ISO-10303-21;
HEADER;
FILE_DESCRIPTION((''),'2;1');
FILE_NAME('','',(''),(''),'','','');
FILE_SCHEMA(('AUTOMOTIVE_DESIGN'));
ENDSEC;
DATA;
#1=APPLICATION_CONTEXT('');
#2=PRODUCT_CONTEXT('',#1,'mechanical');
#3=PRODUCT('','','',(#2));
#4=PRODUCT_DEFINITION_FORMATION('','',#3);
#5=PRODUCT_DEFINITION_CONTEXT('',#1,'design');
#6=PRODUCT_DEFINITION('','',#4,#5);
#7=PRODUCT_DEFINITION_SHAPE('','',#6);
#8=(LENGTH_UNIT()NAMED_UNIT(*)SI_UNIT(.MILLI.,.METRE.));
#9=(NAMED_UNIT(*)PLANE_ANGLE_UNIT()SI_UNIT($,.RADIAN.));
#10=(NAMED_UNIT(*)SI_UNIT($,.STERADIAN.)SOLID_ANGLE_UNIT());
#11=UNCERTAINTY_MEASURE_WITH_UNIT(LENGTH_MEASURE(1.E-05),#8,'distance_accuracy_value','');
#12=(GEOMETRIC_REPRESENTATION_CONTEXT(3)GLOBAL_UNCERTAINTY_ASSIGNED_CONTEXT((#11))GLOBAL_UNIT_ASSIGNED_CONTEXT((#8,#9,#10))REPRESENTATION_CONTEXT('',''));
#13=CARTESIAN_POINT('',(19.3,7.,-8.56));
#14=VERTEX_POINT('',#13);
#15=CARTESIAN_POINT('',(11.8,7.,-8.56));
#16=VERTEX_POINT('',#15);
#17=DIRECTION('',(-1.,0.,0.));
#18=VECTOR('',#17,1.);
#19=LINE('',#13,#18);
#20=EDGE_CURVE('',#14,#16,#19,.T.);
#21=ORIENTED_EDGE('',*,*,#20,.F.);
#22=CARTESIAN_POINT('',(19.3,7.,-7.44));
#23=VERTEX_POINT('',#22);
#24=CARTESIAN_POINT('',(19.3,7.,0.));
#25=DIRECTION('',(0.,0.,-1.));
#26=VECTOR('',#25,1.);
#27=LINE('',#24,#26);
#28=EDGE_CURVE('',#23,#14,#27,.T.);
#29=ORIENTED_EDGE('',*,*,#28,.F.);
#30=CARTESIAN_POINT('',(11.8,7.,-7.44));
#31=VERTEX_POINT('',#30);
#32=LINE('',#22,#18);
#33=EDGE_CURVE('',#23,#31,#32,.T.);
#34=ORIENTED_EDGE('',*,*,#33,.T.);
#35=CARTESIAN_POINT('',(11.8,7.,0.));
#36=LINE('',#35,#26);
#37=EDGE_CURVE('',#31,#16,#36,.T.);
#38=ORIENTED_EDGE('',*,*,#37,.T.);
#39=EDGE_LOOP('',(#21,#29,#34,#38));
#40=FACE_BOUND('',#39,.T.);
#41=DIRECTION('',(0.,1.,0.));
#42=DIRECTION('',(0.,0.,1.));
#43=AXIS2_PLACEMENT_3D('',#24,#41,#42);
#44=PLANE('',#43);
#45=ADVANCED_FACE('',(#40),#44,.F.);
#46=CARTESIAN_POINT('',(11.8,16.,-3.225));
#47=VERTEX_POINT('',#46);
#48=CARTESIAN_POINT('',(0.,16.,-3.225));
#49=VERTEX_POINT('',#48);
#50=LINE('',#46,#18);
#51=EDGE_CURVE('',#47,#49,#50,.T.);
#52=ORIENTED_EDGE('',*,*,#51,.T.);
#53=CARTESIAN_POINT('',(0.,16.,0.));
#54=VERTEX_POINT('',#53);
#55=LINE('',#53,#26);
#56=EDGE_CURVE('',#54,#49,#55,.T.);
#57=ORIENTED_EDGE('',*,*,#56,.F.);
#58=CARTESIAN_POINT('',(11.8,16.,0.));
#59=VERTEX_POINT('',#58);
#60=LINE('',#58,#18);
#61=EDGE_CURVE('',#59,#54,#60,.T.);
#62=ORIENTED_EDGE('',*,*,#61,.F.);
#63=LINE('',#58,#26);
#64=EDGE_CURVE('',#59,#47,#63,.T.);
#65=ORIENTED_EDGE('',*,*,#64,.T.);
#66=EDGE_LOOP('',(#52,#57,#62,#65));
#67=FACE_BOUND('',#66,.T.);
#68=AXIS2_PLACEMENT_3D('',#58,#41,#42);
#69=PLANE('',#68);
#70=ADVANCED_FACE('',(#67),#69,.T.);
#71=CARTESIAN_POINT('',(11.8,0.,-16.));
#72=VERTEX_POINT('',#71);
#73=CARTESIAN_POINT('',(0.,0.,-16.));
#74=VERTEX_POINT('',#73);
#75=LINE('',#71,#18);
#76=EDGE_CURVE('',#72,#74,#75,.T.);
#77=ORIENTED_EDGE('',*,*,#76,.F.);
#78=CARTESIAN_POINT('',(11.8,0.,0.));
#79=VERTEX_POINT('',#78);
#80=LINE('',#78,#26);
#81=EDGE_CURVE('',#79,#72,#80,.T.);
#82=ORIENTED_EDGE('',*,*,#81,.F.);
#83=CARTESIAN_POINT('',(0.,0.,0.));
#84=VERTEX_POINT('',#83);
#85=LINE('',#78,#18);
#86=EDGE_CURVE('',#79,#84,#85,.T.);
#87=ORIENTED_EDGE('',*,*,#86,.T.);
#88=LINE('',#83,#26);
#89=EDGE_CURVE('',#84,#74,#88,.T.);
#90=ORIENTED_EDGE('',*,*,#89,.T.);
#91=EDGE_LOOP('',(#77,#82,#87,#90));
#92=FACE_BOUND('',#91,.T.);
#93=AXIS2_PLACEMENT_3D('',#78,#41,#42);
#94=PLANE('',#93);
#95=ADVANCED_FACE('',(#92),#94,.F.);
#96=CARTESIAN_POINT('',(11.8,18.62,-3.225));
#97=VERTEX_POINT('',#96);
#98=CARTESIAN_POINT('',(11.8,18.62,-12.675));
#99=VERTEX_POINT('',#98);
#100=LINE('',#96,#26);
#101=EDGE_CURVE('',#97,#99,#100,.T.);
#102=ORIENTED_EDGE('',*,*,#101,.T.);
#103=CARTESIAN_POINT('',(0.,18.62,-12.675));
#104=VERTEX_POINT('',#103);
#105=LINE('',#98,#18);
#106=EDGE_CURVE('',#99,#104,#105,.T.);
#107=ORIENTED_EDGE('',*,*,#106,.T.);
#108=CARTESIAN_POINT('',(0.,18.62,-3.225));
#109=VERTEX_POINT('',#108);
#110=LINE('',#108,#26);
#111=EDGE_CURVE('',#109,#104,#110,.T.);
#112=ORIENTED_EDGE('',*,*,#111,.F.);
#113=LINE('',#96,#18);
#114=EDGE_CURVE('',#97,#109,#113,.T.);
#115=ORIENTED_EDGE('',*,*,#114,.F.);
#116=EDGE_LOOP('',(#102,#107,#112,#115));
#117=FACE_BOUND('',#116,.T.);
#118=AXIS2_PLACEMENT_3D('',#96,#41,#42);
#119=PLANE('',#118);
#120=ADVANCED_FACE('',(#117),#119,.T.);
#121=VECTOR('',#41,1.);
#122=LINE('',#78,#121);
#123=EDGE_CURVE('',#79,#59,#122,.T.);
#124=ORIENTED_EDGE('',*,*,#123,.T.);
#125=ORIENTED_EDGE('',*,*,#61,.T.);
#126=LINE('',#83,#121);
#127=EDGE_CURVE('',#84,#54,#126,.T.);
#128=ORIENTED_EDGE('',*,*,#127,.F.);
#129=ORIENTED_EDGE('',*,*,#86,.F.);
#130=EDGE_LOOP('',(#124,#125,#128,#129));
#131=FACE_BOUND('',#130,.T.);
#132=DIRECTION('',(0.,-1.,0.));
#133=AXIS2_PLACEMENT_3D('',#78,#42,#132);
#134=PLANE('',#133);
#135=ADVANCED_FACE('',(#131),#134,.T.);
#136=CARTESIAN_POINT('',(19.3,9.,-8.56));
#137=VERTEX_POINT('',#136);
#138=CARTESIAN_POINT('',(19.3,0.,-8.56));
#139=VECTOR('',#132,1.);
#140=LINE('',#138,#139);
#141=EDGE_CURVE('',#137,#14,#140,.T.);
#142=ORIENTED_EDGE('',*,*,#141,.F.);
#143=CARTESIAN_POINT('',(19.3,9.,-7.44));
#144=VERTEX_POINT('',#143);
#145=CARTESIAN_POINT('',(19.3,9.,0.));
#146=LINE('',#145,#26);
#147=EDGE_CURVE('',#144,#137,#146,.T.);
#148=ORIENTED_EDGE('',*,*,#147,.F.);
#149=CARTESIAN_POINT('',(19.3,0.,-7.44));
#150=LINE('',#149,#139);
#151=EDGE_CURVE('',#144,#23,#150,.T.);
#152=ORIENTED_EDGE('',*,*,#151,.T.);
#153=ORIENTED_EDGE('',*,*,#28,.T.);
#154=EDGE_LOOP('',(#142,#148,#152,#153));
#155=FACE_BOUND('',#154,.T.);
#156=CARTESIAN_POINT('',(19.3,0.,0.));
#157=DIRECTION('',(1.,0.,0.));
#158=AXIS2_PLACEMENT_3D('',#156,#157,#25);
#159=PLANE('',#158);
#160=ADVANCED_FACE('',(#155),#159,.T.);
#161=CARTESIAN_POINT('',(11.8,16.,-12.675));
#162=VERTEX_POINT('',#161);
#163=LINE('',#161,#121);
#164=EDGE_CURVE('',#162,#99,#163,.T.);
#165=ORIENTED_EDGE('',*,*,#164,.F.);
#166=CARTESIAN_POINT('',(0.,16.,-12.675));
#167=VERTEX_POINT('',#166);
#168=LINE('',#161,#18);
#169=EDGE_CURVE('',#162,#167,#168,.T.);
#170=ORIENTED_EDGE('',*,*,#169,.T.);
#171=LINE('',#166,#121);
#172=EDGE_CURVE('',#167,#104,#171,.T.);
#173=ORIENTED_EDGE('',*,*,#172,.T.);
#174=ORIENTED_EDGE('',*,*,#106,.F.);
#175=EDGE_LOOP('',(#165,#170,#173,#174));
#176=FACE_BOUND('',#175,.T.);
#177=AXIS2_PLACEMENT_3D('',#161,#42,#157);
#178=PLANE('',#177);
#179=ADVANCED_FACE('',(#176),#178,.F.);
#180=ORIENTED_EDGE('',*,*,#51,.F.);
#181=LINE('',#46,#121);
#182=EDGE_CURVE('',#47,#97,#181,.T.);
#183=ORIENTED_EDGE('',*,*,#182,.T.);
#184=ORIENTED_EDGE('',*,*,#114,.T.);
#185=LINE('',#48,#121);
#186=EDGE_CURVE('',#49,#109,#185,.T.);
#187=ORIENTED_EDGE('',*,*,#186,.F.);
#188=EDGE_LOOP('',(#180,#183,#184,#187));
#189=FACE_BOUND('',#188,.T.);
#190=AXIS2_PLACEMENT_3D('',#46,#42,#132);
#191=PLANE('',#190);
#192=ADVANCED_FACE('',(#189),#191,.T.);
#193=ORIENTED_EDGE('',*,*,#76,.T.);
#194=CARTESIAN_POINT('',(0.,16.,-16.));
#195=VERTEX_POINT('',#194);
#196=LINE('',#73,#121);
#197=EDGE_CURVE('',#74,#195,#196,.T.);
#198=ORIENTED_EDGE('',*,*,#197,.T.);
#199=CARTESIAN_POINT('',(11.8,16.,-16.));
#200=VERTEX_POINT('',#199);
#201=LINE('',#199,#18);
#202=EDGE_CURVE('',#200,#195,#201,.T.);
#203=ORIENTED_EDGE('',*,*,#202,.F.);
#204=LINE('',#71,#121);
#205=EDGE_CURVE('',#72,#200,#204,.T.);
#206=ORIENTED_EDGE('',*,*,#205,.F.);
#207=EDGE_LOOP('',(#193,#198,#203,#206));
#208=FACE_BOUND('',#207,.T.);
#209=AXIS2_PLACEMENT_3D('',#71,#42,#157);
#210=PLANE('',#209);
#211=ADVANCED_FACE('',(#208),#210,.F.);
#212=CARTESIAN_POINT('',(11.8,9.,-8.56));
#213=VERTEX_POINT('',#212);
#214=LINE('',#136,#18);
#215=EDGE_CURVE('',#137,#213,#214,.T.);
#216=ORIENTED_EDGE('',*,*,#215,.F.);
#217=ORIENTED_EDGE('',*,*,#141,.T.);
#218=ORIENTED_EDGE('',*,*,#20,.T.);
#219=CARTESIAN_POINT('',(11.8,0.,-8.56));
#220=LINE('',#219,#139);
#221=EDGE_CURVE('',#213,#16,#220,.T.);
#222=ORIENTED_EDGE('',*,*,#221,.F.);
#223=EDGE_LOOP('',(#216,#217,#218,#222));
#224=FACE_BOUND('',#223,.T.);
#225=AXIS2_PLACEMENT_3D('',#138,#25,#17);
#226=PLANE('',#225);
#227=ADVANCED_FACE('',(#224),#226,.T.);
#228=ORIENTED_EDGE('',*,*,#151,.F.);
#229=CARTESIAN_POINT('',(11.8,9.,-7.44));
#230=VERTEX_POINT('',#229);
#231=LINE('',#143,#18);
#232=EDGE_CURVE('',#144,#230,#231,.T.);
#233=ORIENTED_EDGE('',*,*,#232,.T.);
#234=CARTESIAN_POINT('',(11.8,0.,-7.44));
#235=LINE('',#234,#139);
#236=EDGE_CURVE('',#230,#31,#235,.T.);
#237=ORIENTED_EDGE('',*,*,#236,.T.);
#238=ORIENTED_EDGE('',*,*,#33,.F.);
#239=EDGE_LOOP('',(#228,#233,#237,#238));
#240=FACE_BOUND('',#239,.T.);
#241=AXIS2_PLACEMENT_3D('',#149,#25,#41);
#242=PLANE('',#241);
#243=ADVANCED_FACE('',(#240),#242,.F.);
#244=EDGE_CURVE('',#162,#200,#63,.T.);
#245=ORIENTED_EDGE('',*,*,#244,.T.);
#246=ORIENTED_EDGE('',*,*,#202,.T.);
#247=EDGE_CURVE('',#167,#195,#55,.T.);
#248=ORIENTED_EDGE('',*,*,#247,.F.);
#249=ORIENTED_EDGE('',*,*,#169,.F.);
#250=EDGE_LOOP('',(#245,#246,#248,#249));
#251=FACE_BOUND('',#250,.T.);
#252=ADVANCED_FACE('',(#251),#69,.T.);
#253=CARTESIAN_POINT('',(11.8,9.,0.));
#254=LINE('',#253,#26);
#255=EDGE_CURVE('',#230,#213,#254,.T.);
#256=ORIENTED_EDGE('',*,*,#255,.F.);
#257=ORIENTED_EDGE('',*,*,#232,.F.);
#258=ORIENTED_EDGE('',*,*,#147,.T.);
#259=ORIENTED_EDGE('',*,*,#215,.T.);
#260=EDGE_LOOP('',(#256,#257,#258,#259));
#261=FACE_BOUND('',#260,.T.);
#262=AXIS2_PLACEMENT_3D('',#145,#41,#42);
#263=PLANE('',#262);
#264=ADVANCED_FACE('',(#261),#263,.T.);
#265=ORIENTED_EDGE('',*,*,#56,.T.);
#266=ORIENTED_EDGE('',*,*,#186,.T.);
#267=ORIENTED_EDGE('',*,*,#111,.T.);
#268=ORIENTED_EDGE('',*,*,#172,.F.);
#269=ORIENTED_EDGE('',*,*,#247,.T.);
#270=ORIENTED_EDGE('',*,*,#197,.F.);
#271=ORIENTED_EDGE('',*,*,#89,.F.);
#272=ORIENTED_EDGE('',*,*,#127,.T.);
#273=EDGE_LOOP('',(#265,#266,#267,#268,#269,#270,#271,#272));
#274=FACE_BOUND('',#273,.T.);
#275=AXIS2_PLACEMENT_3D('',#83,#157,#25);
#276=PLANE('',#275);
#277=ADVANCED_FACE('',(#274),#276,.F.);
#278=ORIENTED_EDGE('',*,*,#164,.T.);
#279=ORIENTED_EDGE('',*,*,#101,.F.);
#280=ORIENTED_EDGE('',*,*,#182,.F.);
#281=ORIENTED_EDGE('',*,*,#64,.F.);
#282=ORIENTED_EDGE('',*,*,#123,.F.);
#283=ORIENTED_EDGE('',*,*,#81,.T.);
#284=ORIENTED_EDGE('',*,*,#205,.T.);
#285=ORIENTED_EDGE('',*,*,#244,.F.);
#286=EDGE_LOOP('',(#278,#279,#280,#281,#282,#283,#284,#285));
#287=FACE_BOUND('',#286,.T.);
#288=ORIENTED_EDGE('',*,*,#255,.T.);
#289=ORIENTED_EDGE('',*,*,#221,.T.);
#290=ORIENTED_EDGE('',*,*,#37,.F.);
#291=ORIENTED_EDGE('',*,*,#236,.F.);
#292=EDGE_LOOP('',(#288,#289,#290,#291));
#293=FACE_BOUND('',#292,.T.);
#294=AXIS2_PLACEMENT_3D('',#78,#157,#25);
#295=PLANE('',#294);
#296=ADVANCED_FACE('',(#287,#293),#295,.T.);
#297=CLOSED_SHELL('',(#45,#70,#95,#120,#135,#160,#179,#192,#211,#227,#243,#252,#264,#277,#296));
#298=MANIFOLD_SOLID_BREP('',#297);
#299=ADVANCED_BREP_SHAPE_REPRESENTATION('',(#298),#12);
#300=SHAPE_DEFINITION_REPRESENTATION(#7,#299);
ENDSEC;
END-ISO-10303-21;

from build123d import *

# Parameters (mm, degrees)
SKETCH1_W           = 16
SKETCH1_H           = 16
SKETCH1_W_2         = 9.45
SKETCH1_H_2         = 2.62
BOSS_EXTRUDE3_DEPTH = 11.8
SKETCH2_W           = 1.12
SKETCH2_H           = 2
BOSS_EXTRUDE4_DEPTH = 7.5


with BuildPart() as part:
    # Sketch1 → Boss-Extrude3 (new body)
    with BuildSketch(Plane(origin=(0, 0, 0), x_dir=(0, 0, -1), z_dir=(1, 0, 0))):
        with Locations((8, 8)):
            Rectangle(SKETCH1_W, SKETCH1_H)
        with Locations((7.95, 17.31)):
            Rectangle(SKETCH1_W_2, SKETCH1_H_2)
    extrude(amount=BOSS_EXTRUDE3_DEPTH)

    # Sketch2 → Boss-Extrude4 (add)
    with BuildSketch(Plane(origin=(11.8, 0, 0), x_dir=(0, 0, -1), z_dir=(1, 0, 0))):
        with Locations((8, 8)):
            Rectangle(SKETCH2_W, SKETCH2_H)
    extrude(amount=BOSS_EXTRUDE4_DEPTH)


solid = part.part
